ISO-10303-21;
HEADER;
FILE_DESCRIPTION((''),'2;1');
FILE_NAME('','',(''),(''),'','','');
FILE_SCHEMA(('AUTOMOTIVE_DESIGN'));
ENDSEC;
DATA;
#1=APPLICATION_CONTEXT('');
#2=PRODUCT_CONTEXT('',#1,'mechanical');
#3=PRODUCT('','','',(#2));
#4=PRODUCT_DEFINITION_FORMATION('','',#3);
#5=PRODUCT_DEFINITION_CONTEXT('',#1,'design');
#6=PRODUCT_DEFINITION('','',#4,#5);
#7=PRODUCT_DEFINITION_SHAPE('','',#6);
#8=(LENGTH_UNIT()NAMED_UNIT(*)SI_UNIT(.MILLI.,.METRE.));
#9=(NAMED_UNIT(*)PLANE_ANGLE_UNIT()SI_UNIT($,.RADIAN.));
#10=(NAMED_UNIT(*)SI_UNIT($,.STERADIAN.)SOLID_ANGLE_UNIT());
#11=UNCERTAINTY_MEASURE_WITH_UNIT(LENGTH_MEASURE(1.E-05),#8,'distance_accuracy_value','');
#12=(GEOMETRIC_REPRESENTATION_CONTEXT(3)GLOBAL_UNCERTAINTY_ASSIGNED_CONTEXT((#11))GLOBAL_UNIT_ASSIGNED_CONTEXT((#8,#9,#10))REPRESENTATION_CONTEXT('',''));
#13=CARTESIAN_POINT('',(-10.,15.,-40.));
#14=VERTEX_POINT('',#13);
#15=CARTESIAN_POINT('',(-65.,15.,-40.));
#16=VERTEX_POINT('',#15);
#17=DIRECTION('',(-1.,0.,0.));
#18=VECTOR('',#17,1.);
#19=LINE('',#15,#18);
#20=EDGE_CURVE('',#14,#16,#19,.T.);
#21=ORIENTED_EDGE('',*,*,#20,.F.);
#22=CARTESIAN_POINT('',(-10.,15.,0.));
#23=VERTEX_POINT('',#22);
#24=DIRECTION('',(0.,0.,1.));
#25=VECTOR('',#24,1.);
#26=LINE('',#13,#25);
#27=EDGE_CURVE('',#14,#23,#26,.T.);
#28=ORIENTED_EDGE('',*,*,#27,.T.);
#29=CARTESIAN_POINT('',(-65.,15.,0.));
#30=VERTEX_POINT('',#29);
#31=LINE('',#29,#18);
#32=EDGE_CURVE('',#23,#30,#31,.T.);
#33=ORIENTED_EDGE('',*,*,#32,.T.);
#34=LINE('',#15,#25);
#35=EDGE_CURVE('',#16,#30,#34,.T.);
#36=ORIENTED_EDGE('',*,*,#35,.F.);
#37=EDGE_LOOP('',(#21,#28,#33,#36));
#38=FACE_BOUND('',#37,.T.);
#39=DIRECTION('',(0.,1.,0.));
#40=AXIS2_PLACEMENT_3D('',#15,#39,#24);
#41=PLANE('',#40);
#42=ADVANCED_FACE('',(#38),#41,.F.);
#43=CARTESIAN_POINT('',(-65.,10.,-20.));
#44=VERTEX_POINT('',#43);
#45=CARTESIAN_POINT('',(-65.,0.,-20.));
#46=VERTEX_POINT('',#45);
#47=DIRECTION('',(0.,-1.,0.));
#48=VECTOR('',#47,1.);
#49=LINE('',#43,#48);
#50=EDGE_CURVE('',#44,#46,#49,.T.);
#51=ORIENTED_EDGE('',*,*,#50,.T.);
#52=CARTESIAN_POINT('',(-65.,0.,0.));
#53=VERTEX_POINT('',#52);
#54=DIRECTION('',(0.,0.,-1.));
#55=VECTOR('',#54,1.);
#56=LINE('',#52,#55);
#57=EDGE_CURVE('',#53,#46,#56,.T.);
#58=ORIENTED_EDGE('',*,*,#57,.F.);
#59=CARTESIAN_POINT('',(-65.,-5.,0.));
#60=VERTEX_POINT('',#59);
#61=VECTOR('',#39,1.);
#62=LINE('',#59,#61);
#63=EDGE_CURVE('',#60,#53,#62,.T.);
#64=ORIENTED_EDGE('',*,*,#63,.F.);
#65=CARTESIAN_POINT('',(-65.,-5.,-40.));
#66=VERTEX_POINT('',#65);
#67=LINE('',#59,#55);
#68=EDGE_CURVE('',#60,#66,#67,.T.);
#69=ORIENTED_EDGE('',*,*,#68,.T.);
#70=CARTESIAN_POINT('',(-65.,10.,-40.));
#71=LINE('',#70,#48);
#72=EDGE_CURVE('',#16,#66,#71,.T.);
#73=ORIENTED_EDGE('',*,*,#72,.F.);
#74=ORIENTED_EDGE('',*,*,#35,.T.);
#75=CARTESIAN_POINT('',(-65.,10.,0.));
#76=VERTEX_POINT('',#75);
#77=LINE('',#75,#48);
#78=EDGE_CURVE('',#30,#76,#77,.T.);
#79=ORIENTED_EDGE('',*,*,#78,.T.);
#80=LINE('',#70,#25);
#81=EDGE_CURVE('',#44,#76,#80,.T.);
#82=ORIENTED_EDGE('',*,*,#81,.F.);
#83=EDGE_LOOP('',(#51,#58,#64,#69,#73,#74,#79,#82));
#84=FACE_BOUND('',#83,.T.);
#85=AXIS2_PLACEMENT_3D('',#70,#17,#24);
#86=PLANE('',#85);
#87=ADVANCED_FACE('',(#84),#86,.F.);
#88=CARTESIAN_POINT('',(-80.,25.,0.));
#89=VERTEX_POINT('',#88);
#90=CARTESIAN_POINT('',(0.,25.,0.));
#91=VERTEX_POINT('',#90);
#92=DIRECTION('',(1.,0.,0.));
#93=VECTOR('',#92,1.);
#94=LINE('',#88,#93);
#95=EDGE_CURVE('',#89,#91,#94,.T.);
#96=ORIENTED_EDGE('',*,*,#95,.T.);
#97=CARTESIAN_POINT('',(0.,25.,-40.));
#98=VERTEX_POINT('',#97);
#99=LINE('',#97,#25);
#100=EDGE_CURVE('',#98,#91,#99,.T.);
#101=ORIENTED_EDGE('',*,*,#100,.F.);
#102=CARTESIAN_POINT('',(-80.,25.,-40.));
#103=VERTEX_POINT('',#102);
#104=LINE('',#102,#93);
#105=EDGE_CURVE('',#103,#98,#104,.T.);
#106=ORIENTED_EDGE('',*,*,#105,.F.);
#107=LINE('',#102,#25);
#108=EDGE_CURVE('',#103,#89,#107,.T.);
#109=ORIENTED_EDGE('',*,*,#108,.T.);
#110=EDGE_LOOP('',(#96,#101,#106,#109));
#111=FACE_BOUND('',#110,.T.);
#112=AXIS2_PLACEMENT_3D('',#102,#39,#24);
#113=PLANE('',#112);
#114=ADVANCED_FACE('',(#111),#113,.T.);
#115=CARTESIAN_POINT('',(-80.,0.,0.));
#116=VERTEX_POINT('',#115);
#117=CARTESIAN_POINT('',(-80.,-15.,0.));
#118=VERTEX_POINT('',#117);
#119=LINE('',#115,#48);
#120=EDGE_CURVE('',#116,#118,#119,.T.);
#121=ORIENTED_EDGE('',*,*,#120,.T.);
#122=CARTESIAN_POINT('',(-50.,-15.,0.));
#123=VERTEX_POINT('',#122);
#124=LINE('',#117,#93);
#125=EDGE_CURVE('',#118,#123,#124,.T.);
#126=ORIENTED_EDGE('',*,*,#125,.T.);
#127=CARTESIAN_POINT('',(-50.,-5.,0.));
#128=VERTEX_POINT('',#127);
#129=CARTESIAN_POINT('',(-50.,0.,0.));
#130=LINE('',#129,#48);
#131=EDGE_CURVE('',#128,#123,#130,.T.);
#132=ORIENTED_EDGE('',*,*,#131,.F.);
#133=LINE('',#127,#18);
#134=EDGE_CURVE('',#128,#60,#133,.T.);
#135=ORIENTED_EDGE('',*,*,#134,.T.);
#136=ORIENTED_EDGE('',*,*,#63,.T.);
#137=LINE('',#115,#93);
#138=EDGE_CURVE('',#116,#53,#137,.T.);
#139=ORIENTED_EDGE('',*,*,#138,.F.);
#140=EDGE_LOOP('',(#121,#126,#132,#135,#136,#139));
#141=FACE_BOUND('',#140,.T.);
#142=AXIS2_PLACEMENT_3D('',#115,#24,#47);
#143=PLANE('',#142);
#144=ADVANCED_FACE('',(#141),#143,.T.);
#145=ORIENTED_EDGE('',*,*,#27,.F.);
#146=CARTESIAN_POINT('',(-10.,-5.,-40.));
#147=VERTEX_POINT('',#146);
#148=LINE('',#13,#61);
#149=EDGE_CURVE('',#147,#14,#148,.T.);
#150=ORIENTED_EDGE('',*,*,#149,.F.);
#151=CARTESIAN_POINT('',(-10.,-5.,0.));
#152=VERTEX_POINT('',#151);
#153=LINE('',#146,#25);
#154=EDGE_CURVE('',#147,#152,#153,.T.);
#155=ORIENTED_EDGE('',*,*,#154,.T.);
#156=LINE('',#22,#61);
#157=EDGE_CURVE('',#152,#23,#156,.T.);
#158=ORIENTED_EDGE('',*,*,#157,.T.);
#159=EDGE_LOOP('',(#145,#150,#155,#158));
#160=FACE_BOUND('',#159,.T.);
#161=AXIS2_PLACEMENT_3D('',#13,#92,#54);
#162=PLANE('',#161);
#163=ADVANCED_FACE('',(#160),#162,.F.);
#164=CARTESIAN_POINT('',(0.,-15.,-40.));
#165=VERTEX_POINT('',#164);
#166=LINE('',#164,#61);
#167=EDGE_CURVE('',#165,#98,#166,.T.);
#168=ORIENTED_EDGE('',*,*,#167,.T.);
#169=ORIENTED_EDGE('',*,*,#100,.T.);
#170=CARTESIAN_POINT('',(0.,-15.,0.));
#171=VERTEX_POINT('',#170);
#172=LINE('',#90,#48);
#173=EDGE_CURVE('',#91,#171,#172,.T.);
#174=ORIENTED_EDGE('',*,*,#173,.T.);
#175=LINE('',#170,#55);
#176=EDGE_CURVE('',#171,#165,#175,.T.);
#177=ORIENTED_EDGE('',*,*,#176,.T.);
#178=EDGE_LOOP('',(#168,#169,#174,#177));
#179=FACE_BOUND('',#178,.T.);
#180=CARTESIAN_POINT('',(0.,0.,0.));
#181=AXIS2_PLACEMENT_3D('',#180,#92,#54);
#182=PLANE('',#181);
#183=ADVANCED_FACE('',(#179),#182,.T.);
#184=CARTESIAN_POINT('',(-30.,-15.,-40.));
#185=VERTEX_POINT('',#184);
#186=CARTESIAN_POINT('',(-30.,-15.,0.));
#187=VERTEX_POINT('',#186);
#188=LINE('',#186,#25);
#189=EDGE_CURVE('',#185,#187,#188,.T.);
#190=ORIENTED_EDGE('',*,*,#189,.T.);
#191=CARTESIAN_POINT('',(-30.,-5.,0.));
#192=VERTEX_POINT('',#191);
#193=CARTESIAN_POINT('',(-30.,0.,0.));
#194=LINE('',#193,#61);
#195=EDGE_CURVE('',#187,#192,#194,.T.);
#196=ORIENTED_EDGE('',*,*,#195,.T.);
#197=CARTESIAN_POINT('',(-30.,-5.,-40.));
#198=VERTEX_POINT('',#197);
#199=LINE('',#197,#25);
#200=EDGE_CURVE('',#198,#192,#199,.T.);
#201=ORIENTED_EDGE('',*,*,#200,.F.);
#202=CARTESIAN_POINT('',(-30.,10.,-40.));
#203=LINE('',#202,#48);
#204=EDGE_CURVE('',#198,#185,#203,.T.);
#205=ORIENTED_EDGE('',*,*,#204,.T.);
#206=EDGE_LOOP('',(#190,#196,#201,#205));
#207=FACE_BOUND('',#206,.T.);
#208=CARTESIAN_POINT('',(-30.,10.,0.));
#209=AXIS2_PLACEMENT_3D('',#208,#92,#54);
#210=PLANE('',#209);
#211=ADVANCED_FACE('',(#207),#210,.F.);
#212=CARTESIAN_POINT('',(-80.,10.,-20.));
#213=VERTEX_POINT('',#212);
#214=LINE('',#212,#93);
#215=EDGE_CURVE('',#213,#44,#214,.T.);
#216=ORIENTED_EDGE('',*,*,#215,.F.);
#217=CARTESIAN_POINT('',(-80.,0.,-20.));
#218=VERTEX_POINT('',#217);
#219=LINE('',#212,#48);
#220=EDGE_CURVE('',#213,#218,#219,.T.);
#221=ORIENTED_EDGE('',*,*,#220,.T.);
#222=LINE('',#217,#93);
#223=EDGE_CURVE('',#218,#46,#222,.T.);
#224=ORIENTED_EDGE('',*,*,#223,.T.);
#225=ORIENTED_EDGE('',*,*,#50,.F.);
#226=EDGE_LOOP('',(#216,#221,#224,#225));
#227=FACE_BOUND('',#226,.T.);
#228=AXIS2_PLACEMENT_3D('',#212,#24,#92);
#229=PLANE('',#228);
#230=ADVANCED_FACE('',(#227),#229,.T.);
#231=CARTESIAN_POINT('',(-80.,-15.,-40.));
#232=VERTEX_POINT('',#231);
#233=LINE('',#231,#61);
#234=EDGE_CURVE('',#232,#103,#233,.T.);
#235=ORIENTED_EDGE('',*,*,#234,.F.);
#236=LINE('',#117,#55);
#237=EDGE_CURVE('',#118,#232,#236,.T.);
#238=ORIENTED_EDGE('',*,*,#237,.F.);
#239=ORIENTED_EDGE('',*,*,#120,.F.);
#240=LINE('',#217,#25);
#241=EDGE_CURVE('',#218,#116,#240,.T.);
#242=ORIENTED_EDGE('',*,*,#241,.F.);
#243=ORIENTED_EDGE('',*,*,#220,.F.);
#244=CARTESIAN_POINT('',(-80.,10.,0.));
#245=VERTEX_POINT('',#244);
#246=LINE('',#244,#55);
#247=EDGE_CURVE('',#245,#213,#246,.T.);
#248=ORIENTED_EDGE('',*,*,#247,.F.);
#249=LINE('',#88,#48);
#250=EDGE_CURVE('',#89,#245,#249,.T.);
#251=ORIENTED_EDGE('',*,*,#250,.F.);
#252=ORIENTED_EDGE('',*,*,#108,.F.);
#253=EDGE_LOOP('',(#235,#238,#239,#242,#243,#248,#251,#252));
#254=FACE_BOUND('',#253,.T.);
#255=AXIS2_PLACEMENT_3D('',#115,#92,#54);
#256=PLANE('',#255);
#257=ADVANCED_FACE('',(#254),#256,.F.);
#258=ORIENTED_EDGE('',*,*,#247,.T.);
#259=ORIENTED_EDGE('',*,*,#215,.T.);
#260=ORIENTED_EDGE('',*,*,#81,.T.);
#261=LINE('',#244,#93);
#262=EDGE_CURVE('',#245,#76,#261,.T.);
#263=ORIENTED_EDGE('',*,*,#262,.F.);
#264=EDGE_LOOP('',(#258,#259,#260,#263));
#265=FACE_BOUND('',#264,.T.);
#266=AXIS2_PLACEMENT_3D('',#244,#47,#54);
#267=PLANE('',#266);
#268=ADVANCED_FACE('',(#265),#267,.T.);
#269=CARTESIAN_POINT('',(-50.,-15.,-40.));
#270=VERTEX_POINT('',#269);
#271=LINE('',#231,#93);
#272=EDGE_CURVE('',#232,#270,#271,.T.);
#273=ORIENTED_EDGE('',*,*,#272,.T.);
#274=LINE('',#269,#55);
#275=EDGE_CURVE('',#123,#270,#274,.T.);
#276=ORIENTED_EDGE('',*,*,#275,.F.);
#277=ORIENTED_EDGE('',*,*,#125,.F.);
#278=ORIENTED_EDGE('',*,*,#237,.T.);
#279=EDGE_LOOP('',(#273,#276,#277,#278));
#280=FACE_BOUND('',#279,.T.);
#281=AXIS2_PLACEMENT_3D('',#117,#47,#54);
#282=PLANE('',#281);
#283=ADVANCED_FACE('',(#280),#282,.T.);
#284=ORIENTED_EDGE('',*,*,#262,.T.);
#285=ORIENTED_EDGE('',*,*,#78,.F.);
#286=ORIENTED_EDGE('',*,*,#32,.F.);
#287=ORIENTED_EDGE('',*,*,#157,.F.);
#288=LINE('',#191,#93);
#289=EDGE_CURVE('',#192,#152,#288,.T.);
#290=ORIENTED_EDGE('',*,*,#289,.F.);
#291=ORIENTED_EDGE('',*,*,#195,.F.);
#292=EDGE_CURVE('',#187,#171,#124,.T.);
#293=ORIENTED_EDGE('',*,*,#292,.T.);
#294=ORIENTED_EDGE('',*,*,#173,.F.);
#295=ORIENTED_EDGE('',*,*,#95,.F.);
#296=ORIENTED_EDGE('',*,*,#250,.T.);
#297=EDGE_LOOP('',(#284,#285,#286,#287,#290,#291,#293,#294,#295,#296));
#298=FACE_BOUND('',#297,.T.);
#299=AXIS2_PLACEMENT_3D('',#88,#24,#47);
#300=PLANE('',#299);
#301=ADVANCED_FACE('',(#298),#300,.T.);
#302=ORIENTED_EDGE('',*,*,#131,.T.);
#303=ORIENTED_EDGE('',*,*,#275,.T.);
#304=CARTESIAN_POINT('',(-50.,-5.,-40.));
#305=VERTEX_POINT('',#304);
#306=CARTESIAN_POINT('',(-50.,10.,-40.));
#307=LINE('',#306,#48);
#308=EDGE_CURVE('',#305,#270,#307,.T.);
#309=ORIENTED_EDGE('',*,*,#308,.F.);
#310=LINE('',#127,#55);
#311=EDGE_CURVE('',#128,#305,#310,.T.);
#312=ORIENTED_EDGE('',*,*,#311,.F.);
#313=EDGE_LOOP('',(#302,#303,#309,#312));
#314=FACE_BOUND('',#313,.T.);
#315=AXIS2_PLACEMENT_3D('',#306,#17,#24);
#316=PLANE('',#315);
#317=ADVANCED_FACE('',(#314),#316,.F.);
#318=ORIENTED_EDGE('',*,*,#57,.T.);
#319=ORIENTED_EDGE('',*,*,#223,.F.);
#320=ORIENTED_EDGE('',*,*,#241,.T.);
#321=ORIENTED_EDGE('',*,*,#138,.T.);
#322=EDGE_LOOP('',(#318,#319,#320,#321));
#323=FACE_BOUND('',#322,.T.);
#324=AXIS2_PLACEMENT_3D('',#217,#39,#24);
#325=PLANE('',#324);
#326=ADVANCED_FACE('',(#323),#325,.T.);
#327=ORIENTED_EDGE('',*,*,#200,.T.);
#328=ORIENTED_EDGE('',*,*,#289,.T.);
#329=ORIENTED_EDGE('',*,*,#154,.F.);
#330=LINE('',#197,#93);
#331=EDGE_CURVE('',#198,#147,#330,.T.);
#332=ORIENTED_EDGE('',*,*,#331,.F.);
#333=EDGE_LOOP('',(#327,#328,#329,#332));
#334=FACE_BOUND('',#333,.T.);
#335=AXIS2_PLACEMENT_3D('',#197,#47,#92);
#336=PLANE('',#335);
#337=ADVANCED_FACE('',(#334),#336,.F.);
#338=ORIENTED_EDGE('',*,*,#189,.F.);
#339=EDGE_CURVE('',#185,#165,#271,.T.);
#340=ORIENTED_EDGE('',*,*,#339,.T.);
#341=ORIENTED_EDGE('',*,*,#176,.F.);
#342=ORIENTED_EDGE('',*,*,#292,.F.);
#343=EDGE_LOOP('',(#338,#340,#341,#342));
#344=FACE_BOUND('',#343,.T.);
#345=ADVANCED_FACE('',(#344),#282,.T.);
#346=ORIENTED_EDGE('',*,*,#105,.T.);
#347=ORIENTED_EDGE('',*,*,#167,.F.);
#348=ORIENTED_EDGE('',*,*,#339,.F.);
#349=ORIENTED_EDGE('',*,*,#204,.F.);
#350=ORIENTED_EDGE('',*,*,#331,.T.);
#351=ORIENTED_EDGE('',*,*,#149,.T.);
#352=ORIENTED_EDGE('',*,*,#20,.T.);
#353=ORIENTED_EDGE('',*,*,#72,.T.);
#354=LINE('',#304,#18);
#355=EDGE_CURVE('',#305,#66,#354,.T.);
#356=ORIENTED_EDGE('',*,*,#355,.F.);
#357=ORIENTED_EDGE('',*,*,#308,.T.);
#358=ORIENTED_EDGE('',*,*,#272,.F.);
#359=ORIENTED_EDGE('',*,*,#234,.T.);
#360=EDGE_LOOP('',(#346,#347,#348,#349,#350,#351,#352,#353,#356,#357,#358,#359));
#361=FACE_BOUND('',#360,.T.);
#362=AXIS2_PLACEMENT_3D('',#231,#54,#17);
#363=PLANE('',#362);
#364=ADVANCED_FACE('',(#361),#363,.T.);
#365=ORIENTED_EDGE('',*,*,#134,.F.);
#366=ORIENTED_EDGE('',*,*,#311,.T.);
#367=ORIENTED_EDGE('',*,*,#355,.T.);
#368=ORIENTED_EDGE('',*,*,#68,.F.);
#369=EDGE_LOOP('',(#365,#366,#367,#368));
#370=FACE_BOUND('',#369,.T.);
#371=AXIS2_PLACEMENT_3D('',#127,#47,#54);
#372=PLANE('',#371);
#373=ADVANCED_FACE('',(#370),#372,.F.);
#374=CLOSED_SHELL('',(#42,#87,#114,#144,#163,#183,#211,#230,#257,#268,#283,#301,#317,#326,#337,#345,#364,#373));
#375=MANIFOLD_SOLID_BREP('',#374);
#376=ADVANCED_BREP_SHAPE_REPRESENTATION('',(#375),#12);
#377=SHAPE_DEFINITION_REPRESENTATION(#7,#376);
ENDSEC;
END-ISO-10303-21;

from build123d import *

# Parameters (mm, degrees)
BOSS_EXTRUDE1_DEPTH = 80
SKETCH3_W           = 20
SKETCH3_H           = 40
CUT_EXTRUDE1_DEPTH  = 25
SKETCH4_W           = 55
SKETCH4_H           = 5
CUT_EXTRUDE2_DEPTH  = 40
SKETCH6_W           = 20
SKETCH6_H           = 5
CUT_EXTRUDE3_DEPTH  = 40
SKETCH7_W           = 20
SKETCH7_H           = 10
CUT_EXTRUDE4_DEPTH  = 20
SKETCH8_W           = 10
SKETCH8_H           = 10
BOSS_EXTRUDE2_DEPTH = 20
SKETCH9_W           = 15
SKETCH9_H           = 10
CUT_EXTRUDE5_DEPTH  = 20
SKETCH11_W          = 15
SKETCH11_H          = 5
CUT_EXTRUDE6_DEPTH  = 40


with BuildPart() as part:
    # Sketch1 → Boss-Extrude1 (new body)
    with BuildSketch(Plane(origin=(0, 0, 0), x_dir=(0, 0, -1), z_dir=(1, 0, 0))):
        Polygon((0, 0), (0, -15), (40, -15), (40, 25), (0, 25), (0, 10), (20, 10), (20, 0), align=None)
    extrude(amount=-BOSS_EXTRUDE1_DEPTH)

    # Sketch3 → Cut-Extrude1 (cut)
    with BuildSketch(Plane.XZ.offset(15)):
        with Locations((-40, -20)):
            Rectangle(SKETCH3_W, SKETCH3_H)
    extrude(amount=-CUT_EXTRUDE1_DEPTH, mode=Mode.SUBTRACT)

    # Sketch4 → Cut-Extrude2 (cut)
    with BuildSketch(Plane.XY):
        with Locations((-37.5, 12.5)):
            Rectangle(SKETCH4_W, SKETCH4_H)
    extrude(amount=-CUT_EXTRUDE2_DEPTH, mode=Mode.SUBTRACT)

    # Sketch6 → Cut-Extrude3 (cut)
    with BuildSketch(Plane.XY):
        with Locations((-20, -2.5)):
            Rectangle(SKETCH6_W, SKETCH6_H)
    extrude(amount=-CUT_EXTRUDE3_DEPTH, mode=Mode.SUBTRACT)

    # Sketch7 → Cut-Extrude4 (cut)
    with BuildSketch(Plane.XY.offset(-20)):
        with Locations((-20, 5)):
            Rectangle(SKETCH7_W, SKETCH7_H)
    extrude(amount=-CUT_EXTRUDE4_DEPTH, mode=Mode.SUBTRACT)

    # Sketch8 → Boss-Extrude2 (add)
    with BuildSketch(Plane.XY.offset(-20)):
        with Locations((-5, 5)):
            Rectangle(SKETCH8_W, SKETCH8_H)
    extrude(amount=BOSS_EXTRUDE2_DEPTH)

    # Sketch9 → Cut-Extrude5 (cut)
    with BuildSketch(Plane.XY.offset(-20)):
        with Locations((-57.5, 5)):
            Rectangle(SKETCH9_W, SKETCH9_H)
    extrude(amount=-CUT_EXTRUDE5_DEPTH, mode=Mode.SUBTRACT)

    # Sketch11 → Cut-Extrude6 (cut)
    with BuildSketch(Plane(origin=(0, 0, -40), x_dir=(-1, 0, 0), z_dir=(0, 0, -1))):
        with Locations((57.5, -2.5)):
            Rectangle(SKETCH11_W, SKETCH11_H)
    extrude(amount=-CUT_EXTRUDE6_DEPTH, mode=Mode.SUBTRACT)


solid = part.part
